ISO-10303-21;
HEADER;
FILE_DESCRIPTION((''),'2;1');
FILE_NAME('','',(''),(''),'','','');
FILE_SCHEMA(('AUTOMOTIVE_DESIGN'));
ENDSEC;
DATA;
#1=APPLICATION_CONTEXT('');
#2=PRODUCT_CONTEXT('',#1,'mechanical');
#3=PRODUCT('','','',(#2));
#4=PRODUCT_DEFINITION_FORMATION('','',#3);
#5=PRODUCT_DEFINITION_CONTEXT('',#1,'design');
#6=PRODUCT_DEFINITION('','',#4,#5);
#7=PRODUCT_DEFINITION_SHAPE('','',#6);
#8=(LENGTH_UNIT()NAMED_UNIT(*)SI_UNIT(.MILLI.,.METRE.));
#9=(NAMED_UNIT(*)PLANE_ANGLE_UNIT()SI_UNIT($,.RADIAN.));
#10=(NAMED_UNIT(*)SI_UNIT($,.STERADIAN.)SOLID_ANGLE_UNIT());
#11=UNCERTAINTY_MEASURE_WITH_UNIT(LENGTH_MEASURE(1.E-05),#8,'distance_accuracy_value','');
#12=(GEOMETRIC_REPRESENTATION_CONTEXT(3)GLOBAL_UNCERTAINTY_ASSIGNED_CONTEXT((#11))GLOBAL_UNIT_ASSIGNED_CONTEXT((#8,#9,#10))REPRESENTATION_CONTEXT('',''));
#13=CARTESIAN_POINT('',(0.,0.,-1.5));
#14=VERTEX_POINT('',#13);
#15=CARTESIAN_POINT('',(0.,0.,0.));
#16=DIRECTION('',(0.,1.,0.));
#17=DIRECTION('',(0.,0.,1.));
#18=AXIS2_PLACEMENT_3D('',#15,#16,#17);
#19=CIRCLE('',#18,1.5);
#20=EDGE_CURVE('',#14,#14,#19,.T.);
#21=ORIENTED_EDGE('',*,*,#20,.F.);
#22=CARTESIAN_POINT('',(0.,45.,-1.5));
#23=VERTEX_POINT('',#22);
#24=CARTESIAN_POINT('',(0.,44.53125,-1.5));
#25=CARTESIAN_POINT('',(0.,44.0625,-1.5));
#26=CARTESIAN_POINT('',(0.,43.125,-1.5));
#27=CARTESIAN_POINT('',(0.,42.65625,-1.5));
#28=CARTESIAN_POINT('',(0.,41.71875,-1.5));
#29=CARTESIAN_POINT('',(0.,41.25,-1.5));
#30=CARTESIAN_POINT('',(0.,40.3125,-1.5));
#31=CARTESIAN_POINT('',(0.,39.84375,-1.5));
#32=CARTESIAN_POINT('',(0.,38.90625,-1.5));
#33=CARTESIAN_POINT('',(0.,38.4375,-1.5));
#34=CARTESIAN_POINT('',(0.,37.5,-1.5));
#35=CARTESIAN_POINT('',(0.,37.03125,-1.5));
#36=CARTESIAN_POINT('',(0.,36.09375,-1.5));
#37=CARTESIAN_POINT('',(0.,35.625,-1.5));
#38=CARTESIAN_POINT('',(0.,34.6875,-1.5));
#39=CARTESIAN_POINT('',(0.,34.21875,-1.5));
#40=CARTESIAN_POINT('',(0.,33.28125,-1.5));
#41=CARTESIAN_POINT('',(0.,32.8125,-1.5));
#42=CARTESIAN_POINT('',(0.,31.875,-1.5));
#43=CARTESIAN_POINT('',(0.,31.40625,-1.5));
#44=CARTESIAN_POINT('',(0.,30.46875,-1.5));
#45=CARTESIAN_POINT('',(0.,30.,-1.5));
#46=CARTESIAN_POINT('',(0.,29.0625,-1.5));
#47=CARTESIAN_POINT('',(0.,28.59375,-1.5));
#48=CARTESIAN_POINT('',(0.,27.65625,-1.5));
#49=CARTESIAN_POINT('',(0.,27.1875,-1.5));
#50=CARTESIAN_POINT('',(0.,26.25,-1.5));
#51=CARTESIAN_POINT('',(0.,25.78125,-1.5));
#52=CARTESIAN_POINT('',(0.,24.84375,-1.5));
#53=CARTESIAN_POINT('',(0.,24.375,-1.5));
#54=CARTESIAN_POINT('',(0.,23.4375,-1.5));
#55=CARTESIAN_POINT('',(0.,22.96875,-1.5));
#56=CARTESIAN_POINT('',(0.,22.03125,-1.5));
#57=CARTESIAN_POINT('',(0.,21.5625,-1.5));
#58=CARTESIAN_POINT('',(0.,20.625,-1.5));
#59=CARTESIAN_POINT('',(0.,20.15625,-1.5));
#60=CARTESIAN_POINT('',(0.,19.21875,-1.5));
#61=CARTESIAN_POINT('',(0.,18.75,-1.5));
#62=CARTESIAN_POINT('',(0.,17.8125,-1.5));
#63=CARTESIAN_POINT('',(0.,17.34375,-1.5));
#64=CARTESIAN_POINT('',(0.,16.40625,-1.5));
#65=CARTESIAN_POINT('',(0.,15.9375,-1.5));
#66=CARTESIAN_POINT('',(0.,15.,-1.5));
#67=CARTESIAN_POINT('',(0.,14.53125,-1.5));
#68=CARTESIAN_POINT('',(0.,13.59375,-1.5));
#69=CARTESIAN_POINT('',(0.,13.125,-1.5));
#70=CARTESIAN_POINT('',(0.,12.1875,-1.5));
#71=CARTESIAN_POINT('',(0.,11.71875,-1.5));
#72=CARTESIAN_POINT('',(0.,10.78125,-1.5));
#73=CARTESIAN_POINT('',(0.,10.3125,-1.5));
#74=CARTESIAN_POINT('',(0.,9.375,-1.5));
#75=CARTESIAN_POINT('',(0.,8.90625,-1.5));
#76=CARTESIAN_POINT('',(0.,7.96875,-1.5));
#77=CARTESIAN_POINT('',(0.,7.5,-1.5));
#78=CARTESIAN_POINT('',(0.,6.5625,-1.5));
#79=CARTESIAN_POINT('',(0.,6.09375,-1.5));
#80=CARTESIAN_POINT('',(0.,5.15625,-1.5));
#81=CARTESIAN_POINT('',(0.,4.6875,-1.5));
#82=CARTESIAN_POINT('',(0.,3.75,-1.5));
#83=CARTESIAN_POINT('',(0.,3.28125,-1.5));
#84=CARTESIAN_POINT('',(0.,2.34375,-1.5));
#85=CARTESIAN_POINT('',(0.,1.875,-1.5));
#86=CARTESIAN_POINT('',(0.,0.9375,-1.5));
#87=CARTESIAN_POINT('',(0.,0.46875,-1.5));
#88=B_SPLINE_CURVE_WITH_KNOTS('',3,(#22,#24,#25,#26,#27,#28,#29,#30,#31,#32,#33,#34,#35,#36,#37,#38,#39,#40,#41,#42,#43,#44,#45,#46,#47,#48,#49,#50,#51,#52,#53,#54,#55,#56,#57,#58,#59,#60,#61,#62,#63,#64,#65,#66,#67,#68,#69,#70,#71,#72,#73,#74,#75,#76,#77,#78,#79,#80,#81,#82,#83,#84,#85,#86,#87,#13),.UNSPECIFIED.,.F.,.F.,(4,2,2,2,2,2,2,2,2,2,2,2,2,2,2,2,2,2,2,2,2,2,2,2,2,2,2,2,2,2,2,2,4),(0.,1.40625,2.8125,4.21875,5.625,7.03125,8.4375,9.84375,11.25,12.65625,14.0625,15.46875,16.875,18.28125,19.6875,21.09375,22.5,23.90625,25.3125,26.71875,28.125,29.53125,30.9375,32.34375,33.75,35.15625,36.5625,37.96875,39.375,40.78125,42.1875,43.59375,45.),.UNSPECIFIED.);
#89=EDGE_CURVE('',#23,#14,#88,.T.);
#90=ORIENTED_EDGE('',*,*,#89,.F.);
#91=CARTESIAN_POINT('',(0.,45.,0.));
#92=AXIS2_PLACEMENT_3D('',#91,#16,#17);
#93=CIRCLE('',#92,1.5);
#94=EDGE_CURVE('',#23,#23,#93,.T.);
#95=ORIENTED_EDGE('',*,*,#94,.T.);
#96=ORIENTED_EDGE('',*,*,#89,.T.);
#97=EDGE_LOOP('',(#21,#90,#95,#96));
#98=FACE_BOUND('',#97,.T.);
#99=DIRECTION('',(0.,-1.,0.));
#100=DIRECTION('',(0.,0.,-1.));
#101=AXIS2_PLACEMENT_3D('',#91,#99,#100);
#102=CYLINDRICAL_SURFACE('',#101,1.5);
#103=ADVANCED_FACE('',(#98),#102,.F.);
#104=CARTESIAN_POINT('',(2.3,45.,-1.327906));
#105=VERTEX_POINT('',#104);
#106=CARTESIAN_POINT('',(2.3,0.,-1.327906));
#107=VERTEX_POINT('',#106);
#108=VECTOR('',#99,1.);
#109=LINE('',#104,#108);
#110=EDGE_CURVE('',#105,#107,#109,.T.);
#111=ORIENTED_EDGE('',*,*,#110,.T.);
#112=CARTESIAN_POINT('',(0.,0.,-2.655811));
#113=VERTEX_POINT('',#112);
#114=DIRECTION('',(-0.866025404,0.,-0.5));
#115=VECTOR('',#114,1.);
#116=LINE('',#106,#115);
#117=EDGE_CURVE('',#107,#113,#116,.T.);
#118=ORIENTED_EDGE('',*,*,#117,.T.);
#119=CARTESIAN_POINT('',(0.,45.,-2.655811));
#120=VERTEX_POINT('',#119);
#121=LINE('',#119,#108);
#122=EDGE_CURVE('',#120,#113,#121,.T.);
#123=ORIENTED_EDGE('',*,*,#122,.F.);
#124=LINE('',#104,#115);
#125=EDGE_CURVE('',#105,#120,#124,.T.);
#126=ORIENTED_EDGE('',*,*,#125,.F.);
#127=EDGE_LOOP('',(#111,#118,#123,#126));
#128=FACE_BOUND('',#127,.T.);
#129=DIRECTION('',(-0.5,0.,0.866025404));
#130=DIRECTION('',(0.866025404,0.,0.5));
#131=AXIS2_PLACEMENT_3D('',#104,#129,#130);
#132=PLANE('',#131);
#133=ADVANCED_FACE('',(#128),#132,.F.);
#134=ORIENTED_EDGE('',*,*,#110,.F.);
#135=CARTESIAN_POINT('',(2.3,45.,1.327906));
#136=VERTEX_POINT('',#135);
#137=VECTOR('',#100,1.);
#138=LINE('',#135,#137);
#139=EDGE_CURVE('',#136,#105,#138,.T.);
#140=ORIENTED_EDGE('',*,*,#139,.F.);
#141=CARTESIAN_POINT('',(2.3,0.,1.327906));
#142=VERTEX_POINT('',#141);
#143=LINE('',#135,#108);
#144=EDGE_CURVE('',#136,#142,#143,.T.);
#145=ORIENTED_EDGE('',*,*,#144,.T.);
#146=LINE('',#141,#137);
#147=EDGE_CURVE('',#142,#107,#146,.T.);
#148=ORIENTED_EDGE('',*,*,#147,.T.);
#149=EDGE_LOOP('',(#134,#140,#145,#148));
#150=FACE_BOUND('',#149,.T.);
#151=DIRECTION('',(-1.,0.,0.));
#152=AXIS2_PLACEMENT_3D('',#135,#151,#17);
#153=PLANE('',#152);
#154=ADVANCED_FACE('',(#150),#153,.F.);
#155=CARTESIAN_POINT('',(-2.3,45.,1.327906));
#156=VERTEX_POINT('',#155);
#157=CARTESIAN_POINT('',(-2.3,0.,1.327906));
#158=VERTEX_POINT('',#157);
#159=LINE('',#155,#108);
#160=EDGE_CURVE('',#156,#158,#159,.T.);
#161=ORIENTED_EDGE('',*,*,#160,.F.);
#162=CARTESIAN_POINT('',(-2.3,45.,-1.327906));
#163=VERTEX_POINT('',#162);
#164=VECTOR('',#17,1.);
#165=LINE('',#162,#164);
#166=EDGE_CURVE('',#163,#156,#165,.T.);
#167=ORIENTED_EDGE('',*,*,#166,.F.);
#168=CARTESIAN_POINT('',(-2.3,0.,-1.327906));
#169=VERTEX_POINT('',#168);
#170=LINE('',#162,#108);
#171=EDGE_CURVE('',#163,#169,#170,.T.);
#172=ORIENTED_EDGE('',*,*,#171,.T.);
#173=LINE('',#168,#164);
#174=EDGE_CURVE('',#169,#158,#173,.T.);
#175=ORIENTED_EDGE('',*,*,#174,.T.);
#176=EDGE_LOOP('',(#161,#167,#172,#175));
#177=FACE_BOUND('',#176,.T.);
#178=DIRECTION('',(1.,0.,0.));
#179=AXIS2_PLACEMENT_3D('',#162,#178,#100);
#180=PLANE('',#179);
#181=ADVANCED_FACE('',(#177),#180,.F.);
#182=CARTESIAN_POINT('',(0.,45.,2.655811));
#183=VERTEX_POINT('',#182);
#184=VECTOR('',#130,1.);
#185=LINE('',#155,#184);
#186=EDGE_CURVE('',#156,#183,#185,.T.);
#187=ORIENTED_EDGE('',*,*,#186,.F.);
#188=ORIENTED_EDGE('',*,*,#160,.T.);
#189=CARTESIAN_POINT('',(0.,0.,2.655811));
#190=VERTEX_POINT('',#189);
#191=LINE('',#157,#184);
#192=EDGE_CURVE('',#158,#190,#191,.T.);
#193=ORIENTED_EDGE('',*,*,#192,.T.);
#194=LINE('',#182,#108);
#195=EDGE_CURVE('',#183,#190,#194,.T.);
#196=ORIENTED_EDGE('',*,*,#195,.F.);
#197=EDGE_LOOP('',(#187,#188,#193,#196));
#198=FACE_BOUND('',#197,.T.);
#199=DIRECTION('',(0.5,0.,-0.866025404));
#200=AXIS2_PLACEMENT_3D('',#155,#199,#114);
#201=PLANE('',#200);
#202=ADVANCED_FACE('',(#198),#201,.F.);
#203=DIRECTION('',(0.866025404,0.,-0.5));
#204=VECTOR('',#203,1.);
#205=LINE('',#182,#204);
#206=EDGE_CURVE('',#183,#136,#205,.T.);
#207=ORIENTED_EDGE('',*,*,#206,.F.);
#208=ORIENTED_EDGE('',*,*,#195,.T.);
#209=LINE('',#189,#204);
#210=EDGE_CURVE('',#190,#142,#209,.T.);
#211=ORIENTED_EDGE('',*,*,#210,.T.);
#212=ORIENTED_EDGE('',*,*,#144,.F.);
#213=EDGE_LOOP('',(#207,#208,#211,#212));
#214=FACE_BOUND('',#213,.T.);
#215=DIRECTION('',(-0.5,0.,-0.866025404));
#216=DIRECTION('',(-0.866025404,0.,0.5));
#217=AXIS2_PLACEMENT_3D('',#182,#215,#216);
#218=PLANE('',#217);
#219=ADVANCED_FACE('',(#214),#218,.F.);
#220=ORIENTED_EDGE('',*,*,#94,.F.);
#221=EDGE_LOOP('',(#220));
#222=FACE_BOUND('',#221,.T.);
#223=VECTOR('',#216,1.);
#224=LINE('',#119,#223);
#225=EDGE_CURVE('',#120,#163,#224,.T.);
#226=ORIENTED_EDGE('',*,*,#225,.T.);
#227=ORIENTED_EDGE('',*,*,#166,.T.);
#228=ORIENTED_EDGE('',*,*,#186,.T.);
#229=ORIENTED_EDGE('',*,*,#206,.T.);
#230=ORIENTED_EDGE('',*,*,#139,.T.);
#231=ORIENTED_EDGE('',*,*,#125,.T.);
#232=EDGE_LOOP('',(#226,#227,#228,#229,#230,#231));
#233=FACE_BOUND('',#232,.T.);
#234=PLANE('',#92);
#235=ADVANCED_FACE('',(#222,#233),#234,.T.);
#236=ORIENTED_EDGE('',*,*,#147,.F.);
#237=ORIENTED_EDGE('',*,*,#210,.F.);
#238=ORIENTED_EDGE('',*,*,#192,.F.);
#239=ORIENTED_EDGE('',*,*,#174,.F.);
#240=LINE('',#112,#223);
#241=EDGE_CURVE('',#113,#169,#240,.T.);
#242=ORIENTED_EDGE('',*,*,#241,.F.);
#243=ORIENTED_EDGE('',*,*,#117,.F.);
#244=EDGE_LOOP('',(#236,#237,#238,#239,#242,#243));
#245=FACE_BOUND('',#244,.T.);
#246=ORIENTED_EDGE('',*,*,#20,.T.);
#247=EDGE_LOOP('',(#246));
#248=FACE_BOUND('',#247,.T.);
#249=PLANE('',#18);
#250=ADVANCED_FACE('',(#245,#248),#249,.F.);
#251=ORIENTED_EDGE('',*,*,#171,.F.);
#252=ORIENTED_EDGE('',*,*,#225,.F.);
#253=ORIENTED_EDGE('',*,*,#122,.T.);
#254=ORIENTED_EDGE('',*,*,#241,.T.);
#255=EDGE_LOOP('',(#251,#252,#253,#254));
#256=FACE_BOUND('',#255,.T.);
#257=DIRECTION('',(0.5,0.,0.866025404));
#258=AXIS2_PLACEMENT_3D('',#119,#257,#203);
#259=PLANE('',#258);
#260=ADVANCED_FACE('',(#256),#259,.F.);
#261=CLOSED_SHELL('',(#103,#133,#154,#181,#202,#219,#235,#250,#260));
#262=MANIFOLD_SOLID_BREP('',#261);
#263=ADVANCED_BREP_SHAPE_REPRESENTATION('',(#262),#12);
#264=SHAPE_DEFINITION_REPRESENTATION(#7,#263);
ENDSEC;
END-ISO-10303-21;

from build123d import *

# Parameters (mm, degrees)
SKETCH_1_R      = 1.5
EXTRUDE_1_DEPTH = 45


with BuildPart() as part:
    # 草图1 → 凸台-拉伸1 (new body)
    with BuildSketch(Plane(origin=(0, 0, 0), x_dir=(1, 0, 0), z_dir=(0, 1, 0))):
        Polygon((0, 2.655811238), (-2.3, 1.327905619), (-2.3, -1.327905619), (0, -2.655811238), (2.3, -1.327905619), (2.3, 1.327905619), align=None)
        with Locations(Location((0, 0, 0), (0, 0, 90))):
            Circle(SKETCH_1_R, mode=Mode.SUBTRACT)
    extrude(amount=EXTRUDE_1_DEPTH)


solid = part.part
